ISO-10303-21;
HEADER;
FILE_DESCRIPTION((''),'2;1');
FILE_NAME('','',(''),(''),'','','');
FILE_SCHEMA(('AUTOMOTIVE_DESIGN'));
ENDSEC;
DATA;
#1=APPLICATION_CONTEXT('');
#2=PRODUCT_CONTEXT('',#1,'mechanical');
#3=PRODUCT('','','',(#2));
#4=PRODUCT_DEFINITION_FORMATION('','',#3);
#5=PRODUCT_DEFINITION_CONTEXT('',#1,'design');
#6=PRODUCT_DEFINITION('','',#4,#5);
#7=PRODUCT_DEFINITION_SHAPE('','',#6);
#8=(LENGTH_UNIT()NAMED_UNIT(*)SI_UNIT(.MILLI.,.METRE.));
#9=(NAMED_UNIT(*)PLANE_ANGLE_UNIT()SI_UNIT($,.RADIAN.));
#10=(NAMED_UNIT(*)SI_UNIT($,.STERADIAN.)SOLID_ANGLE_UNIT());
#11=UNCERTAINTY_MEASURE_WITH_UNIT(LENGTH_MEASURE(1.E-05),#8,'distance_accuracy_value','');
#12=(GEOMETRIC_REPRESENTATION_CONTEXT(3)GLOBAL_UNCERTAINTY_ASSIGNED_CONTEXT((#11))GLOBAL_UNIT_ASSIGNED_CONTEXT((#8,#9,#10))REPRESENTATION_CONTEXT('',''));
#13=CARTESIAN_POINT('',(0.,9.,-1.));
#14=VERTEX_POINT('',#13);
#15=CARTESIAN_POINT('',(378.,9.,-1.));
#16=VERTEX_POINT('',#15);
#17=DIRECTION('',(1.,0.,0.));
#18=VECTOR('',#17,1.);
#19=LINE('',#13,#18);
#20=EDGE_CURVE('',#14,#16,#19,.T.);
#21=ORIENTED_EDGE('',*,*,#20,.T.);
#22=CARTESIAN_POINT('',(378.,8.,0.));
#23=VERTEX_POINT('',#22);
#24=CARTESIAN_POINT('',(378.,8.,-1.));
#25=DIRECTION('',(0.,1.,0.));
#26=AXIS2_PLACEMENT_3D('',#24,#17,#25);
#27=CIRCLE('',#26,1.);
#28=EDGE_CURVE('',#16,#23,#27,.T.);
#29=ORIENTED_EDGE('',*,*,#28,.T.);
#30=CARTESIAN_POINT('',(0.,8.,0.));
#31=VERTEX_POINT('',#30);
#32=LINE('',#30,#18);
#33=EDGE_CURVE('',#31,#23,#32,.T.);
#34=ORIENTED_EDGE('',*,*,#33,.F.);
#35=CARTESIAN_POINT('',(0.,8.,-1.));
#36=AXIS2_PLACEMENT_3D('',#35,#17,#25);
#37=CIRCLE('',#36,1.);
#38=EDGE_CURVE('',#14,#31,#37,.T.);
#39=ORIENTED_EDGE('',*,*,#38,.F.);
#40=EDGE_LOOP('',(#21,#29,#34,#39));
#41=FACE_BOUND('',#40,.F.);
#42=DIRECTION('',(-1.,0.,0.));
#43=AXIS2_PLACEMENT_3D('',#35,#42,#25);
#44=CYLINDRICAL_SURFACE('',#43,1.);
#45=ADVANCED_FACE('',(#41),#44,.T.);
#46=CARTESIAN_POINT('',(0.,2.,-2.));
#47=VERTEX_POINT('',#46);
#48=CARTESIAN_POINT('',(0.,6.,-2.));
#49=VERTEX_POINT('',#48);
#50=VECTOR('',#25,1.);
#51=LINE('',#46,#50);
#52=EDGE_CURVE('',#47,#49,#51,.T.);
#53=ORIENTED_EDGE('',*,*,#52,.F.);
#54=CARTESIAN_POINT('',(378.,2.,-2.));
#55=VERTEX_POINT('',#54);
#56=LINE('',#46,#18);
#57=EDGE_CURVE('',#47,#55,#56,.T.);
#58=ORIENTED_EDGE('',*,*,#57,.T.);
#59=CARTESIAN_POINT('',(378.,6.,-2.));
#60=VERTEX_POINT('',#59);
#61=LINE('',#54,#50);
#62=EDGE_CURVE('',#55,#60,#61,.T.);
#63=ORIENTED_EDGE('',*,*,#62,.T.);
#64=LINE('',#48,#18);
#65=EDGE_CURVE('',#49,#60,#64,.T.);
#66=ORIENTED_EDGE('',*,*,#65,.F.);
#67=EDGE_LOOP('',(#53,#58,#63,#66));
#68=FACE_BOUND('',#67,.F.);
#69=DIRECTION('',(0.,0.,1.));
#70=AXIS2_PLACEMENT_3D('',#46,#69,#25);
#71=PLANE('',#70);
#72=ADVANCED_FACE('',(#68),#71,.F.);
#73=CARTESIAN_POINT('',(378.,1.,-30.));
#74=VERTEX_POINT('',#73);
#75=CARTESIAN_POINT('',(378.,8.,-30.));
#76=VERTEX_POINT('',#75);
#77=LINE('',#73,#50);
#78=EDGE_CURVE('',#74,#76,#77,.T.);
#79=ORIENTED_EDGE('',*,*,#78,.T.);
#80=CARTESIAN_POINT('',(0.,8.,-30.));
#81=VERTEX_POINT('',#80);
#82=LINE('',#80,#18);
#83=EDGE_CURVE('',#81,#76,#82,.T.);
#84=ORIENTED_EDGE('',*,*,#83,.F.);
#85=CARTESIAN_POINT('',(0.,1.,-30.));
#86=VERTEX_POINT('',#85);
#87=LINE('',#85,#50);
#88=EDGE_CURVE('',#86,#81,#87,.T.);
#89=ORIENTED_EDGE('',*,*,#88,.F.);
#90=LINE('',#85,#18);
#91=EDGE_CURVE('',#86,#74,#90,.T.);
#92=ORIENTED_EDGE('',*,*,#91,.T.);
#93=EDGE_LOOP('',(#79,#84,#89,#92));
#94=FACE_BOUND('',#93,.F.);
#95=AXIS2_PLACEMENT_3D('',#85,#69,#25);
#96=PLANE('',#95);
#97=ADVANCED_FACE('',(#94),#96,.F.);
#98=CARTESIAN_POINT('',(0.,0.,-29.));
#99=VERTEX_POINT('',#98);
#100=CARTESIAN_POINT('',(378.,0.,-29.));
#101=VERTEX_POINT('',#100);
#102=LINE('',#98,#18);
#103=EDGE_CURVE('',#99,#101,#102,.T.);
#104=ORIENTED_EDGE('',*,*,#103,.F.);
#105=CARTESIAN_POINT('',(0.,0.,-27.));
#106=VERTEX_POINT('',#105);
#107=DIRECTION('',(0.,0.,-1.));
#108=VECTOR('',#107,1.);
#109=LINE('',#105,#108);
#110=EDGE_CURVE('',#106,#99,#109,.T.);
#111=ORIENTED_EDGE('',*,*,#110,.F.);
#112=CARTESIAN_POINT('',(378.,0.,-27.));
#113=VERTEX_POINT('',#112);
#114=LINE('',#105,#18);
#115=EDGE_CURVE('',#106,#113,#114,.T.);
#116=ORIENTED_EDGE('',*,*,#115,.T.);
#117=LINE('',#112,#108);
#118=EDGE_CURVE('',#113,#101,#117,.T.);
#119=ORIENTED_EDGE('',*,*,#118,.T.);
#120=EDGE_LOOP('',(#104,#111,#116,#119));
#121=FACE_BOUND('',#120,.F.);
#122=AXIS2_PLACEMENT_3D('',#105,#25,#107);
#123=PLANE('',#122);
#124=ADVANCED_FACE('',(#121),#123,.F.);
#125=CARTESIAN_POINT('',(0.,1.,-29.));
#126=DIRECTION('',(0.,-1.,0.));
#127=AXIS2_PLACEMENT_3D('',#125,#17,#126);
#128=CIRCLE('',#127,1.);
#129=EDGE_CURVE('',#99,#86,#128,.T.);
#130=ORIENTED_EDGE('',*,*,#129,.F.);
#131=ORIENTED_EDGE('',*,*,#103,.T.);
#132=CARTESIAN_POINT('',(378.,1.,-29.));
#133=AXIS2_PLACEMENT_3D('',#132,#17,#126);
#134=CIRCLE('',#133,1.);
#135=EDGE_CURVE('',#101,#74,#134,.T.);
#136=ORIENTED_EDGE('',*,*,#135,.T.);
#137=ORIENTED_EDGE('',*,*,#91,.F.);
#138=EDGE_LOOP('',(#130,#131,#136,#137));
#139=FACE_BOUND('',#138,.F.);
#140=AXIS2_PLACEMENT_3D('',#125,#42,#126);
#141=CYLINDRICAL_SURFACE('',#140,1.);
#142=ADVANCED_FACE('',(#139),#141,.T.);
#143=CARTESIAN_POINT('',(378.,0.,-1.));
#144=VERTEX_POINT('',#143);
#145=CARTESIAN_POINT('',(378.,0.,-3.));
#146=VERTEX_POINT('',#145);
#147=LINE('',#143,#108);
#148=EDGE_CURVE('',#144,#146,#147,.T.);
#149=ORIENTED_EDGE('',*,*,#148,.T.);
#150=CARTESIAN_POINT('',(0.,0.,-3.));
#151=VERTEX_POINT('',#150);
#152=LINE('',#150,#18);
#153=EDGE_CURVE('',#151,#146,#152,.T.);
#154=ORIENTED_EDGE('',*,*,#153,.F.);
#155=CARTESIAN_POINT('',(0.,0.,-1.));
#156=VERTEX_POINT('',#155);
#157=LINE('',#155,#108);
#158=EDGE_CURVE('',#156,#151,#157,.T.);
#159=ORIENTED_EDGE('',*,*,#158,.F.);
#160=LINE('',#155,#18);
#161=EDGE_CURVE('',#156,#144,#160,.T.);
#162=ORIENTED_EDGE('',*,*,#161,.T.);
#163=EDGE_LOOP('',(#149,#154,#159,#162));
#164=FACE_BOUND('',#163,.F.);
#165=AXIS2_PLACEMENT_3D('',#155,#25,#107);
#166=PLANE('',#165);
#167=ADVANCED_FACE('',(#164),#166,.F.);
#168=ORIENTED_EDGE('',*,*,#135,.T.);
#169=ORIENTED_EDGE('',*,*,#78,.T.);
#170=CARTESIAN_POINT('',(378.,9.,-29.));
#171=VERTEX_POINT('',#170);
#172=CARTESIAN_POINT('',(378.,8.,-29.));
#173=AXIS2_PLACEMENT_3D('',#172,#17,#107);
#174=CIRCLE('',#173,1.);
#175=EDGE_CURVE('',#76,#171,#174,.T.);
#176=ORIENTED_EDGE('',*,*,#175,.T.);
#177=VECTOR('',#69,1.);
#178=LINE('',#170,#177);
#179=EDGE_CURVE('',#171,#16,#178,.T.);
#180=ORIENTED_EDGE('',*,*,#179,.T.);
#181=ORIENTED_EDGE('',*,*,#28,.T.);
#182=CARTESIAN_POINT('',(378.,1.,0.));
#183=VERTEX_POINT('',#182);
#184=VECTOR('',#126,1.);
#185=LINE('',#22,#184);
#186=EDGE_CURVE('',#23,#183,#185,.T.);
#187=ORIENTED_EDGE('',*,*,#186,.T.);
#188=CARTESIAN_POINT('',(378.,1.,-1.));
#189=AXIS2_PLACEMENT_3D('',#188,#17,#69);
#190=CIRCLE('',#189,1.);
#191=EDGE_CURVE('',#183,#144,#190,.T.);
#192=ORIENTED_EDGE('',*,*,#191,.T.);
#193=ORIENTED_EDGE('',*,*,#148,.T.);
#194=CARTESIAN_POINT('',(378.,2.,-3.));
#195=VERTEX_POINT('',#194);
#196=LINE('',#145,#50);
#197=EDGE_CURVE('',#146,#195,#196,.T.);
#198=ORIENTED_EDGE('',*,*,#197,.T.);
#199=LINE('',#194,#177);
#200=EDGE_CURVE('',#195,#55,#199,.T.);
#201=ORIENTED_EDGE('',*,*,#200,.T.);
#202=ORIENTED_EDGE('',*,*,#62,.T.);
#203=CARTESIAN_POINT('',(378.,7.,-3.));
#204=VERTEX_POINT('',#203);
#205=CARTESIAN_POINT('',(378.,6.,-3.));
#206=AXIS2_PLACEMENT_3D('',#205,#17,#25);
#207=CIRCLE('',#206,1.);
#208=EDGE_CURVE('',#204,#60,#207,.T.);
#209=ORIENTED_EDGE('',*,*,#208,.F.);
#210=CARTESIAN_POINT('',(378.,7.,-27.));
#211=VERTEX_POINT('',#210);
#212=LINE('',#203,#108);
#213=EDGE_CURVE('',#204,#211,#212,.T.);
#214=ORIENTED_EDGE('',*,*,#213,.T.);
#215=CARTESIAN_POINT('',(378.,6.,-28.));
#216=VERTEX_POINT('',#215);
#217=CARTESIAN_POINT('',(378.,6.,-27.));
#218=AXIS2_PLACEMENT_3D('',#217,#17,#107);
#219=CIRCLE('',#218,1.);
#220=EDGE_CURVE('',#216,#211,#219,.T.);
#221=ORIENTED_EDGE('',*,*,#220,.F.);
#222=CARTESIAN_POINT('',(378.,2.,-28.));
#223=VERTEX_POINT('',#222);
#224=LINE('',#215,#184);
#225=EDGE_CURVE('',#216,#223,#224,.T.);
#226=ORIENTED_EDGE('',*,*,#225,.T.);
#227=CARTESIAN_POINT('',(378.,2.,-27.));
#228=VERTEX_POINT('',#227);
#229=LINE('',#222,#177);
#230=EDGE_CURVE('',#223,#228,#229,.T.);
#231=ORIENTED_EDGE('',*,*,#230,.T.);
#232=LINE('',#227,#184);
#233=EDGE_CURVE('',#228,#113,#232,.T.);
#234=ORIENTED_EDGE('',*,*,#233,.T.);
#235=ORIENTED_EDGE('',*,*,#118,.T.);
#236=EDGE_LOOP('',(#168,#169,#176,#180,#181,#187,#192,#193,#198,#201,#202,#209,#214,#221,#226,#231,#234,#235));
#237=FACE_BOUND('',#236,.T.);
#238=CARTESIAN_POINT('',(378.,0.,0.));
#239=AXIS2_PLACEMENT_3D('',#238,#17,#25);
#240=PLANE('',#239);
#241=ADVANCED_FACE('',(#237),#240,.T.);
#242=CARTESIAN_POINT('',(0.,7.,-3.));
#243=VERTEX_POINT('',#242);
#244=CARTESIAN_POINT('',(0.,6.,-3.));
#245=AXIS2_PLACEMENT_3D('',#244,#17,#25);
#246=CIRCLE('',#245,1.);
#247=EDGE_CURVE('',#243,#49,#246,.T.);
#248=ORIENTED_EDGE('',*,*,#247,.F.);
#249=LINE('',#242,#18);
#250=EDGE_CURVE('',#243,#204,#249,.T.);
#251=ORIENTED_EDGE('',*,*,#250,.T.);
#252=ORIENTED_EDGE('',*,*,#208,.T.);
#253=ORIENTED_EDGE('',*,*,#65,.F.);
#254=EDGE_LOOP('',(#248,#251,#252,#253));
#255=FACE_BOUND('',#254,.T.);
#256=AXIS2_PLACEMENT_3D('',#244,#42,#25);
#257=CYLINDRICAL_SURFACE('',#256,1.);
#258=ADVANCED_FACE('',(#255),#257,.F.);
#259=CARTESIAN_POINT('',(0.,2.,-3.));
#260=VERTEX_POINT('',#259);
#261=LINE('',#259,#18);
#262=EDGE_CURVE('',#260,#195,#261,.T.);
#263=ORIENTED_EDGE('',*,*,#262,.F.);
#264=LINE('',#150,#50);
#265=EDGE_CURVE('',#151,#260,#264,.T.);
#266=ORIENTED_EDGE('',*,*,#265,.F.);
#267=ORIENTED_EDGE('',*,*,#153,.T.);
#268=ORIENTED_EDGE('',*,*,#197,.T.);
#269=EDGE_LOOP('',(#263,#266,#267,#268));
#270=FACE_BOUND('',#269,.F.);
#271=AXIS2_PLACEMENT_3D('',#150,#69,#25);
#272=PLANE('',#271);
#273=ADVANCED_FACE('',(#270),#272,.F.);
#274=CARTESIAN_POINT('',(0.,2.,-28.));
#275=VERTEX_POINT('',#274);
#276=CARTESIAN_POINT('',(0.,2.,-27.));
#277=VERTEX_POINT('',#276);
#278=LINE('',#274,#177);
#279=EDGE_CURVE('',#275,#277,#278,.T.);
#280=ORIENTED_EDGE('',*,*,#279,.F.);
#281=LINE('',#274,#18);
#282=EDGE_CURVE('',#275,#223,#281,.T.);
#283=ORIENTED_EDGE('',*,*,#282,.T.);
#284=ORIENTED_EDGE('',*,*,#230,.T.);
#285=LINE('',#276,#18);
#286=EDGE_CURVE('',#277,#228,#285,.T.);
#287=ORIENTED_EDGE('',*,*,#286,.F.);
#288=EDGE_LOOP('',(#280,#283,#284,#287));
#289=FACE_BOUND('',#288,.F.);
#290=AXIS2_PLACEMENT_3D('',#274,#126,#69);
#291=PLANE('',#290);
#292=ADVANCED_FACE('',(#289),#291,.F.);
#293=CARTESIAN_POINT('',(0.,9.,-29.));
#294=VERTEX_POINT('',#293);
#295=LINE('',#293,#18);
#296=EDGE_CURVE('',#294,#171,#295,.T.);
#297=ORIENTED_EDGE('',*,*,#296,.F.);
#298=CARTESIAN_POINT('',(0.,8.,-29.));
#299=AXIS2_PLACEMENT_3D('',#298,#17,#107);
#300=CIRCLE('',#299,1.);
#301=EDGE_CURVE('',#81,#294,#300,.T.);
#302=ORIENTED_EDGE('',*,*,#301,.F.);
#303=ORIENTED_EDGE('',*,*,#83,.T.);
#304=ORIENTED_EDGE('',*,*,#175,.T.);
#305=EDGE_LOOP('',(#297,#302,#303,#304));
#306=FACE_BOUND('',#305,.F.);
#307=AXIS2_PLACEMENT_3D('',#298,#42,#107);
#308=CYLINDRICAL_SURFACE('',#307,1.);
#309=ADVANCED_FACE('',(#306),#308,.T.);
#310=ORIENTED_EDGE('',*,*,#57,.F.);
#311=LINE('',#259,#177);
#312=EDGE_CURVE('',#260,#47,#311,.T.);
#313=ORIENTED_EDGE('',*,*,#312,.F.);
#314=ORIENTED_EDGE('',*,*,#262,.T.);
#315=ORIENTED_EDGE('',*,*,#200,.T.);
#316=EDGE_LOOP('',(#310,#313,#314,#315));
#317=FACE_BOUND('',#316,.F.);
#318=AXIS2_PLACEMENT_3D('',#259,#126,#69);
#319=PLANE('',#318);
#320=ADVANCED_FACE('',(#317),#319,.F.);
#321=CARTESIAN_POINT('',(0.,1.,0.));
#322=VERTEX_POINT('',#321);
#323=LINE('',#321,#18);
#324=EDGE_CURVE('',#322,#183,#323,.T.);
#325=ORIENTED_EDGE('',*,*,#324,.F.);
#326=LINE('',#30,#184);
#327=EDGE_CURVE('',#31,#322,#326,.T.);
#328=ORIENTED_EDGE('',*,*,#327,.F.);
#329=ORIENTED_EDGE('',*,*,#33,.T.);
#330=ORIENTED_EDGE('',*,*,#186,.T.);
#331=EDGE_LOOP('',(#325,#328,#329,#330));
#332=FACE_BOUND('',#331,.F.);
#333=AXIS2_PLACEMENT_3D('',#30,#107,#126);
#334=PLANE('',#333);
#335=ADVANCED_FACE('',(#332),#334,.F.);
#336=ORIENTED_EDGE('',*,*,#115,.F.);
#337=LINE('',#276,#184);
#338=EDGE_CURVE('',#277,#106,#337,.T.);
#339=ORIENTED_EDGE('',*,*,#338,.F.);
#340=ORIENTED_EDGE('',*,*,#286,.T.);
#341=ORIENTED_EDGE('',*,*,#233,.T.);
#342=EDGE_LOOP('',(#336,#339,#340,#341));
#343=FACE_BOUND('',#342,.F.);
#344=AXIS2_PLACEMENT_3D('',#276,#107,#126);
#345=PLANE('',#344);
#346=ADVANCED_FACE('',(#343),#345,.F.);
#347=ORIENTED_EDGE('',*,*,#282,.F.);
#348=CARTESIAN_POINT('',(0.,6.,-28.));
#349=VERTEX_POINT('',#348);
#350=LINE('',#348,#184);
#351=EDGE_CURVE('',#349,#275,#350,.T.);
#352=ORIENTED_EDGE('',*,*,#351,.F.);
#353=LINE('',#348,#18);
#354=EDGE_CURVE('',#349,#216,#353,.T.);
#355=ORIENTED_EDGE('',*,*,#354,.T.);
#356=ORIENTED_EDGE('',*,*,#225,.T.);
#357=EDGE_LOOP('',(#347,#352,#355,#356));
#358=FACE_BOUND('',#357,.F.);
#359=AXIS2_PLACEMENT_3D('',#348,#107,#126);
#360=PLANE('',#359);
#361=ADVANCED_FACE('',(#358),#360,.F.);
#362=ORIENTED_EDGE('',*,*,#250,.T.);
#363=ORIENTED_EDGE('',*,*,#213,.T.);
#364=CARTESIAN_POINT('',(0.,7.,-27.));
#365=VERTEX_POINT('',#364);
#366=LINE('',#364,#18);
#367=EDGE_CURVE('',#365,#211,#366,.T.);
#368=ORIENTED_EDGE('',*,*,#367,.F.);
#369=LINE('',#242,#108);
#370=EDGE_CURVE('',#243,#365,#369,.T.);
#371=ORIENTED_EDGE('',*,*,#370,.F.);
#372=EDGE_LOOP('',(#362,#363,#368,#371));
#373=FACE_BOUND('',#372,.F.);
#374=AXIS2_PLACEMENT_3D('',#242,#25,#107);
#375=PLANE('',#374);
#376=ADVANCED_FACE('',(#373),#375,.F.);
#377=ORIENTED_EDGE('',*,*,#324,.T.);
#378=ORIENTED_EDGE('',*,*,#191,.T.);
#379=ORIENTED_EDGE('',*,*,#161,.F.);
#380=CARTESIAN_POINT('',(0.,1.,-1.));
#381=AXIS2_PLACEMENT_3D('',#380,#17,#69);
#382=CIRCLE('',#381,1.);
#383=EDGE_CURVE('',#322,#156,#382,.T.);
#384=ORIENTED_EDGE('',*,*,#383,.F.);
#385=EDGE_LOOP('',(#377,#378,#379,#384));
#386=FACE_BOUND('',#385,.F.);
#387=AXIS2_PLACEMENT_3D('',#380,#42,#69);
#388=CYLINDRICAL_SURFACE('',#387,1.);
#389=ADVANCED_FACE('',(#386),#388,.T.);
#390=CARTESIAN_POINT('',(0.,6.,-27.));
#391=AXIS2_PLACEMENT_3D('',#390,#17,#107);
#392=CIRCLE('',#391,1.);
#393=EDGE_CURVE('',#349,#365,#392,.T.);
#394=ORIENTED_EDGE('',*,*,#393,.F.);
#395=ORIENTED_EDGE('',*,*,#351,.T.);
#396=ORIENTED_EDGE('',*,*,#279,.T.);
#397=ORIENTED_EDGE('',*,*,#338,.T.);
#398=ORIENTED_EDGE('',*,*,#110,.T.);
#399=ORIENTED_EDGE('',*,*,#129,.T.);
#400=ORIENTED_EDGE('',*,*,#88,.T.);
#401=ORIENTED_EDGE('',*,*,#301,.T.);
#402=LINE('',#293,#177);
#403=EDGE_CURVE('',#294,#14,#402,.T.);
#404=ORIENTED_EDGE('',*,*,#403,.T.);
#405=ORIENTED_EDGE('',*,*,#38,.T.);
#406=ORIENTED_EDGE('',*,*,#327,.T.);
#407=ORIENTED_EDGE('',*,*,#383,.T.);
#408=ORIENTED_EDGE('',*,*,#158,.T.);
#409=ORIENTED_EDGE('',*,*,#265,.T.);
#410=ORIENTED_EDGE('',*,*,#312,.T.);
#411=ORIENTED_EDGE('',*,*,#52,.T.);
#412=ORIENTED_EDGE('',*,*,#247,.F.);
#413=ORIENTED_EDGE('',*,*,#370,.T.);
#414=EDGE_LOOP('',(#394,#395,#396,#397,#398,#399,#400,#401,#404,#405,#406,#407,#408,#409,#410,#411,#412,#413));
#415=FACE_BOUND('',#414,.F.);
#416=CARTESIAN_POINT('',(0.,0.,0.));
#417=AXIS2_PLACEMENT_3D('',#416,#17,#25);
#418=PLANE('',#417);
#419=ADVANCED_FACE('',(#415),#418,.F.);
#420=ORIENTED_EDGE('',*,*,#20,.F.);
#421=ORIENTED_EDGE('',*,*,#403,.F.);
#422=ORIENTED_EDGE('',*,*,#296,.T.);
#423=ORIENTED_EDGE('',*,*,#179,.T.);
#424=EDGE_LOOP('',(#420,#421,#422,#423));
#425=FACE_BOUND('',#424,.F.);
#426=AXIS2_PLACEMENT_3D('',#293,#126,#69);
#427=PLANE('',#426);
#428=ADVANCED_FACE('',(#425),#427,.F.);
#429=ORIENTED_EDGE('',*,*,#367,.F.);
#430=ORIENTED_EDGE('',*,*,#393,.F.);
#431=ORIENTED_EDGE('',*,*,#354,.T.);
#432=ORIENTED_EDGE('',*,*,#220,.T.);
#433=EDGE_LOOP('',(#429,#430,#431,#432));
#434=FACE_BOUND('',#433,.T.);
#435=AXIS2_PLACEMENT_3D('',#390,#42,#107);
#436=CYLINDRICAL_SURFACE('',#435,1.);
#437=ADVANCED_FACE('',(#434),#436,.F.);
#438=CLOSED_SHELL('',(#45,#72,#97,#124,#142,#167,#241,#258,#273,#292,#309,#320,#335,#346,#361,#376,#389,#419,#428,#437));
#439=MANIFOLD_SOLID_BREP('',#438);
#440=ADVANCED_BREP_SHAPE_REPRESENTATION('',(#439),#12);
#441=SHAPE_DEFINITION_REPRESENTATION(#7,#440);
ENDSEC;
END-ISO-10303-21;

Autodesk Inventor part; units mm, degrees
ref_plane "YZ Plane" through (0, 0, 0) normal (1, 0, 0) x (0, 1, 0)
ref_plane "XZ Plane" through (0, 0, 0) normal (0, 1, 0) x (-1, 0, 0)
ref_plane "XY Plane" through (0, 0, 0) normal (0, 0, 1) x (1, 0, 0)
sketch "Boceto principal" plane through (0, 0, 0) normal (1, 0, 0) x (0, 1, 0)
  line L0 (0, -1) -> (0, -3)
  line L1 (0, -3) -> (2, -3)
  line L2 (2, -3) -> (2, -2)
  line L3 (2, -2) -> (6, -2)
  line L4 (7, -3) -> (7, -27)
  line L5 (6, -28) -> (2, -28)
  line L6 (2, -28) -> (2, -27)
  line L7 (2, -27) -> (0, -27)
  line L8 (0, -27) -> (0, -29)
  line L9 (1, -30) -> (8, -30)
  line L10 (9, -29) -> (9, -1)
  line L11 (8, 0) -> (1, 0)
  arc A0 (1, 0) -> (0, -1) centre (1, -1) ccw
  arc A1 (7, -3) -> (6, -2) centre (6, -3) ccw
  arc A2 (6, -28) -> (7, -27) centre (6, -27) ccw
  arc A3 (0, -29) -> (1, -30) centre (1, -29) ccw
  arc A4 (8, -30) -> (9, -29) centre (8, -29) ccw
  arc A5 (9, -1) -> (8, 0) centre (8, -1) ccw
extrude "Extrusion1" add sketch "Boceto principal" along normal blind 378
properties part number "Tapa 30x30 378mm" material "PVC, Flexible"
